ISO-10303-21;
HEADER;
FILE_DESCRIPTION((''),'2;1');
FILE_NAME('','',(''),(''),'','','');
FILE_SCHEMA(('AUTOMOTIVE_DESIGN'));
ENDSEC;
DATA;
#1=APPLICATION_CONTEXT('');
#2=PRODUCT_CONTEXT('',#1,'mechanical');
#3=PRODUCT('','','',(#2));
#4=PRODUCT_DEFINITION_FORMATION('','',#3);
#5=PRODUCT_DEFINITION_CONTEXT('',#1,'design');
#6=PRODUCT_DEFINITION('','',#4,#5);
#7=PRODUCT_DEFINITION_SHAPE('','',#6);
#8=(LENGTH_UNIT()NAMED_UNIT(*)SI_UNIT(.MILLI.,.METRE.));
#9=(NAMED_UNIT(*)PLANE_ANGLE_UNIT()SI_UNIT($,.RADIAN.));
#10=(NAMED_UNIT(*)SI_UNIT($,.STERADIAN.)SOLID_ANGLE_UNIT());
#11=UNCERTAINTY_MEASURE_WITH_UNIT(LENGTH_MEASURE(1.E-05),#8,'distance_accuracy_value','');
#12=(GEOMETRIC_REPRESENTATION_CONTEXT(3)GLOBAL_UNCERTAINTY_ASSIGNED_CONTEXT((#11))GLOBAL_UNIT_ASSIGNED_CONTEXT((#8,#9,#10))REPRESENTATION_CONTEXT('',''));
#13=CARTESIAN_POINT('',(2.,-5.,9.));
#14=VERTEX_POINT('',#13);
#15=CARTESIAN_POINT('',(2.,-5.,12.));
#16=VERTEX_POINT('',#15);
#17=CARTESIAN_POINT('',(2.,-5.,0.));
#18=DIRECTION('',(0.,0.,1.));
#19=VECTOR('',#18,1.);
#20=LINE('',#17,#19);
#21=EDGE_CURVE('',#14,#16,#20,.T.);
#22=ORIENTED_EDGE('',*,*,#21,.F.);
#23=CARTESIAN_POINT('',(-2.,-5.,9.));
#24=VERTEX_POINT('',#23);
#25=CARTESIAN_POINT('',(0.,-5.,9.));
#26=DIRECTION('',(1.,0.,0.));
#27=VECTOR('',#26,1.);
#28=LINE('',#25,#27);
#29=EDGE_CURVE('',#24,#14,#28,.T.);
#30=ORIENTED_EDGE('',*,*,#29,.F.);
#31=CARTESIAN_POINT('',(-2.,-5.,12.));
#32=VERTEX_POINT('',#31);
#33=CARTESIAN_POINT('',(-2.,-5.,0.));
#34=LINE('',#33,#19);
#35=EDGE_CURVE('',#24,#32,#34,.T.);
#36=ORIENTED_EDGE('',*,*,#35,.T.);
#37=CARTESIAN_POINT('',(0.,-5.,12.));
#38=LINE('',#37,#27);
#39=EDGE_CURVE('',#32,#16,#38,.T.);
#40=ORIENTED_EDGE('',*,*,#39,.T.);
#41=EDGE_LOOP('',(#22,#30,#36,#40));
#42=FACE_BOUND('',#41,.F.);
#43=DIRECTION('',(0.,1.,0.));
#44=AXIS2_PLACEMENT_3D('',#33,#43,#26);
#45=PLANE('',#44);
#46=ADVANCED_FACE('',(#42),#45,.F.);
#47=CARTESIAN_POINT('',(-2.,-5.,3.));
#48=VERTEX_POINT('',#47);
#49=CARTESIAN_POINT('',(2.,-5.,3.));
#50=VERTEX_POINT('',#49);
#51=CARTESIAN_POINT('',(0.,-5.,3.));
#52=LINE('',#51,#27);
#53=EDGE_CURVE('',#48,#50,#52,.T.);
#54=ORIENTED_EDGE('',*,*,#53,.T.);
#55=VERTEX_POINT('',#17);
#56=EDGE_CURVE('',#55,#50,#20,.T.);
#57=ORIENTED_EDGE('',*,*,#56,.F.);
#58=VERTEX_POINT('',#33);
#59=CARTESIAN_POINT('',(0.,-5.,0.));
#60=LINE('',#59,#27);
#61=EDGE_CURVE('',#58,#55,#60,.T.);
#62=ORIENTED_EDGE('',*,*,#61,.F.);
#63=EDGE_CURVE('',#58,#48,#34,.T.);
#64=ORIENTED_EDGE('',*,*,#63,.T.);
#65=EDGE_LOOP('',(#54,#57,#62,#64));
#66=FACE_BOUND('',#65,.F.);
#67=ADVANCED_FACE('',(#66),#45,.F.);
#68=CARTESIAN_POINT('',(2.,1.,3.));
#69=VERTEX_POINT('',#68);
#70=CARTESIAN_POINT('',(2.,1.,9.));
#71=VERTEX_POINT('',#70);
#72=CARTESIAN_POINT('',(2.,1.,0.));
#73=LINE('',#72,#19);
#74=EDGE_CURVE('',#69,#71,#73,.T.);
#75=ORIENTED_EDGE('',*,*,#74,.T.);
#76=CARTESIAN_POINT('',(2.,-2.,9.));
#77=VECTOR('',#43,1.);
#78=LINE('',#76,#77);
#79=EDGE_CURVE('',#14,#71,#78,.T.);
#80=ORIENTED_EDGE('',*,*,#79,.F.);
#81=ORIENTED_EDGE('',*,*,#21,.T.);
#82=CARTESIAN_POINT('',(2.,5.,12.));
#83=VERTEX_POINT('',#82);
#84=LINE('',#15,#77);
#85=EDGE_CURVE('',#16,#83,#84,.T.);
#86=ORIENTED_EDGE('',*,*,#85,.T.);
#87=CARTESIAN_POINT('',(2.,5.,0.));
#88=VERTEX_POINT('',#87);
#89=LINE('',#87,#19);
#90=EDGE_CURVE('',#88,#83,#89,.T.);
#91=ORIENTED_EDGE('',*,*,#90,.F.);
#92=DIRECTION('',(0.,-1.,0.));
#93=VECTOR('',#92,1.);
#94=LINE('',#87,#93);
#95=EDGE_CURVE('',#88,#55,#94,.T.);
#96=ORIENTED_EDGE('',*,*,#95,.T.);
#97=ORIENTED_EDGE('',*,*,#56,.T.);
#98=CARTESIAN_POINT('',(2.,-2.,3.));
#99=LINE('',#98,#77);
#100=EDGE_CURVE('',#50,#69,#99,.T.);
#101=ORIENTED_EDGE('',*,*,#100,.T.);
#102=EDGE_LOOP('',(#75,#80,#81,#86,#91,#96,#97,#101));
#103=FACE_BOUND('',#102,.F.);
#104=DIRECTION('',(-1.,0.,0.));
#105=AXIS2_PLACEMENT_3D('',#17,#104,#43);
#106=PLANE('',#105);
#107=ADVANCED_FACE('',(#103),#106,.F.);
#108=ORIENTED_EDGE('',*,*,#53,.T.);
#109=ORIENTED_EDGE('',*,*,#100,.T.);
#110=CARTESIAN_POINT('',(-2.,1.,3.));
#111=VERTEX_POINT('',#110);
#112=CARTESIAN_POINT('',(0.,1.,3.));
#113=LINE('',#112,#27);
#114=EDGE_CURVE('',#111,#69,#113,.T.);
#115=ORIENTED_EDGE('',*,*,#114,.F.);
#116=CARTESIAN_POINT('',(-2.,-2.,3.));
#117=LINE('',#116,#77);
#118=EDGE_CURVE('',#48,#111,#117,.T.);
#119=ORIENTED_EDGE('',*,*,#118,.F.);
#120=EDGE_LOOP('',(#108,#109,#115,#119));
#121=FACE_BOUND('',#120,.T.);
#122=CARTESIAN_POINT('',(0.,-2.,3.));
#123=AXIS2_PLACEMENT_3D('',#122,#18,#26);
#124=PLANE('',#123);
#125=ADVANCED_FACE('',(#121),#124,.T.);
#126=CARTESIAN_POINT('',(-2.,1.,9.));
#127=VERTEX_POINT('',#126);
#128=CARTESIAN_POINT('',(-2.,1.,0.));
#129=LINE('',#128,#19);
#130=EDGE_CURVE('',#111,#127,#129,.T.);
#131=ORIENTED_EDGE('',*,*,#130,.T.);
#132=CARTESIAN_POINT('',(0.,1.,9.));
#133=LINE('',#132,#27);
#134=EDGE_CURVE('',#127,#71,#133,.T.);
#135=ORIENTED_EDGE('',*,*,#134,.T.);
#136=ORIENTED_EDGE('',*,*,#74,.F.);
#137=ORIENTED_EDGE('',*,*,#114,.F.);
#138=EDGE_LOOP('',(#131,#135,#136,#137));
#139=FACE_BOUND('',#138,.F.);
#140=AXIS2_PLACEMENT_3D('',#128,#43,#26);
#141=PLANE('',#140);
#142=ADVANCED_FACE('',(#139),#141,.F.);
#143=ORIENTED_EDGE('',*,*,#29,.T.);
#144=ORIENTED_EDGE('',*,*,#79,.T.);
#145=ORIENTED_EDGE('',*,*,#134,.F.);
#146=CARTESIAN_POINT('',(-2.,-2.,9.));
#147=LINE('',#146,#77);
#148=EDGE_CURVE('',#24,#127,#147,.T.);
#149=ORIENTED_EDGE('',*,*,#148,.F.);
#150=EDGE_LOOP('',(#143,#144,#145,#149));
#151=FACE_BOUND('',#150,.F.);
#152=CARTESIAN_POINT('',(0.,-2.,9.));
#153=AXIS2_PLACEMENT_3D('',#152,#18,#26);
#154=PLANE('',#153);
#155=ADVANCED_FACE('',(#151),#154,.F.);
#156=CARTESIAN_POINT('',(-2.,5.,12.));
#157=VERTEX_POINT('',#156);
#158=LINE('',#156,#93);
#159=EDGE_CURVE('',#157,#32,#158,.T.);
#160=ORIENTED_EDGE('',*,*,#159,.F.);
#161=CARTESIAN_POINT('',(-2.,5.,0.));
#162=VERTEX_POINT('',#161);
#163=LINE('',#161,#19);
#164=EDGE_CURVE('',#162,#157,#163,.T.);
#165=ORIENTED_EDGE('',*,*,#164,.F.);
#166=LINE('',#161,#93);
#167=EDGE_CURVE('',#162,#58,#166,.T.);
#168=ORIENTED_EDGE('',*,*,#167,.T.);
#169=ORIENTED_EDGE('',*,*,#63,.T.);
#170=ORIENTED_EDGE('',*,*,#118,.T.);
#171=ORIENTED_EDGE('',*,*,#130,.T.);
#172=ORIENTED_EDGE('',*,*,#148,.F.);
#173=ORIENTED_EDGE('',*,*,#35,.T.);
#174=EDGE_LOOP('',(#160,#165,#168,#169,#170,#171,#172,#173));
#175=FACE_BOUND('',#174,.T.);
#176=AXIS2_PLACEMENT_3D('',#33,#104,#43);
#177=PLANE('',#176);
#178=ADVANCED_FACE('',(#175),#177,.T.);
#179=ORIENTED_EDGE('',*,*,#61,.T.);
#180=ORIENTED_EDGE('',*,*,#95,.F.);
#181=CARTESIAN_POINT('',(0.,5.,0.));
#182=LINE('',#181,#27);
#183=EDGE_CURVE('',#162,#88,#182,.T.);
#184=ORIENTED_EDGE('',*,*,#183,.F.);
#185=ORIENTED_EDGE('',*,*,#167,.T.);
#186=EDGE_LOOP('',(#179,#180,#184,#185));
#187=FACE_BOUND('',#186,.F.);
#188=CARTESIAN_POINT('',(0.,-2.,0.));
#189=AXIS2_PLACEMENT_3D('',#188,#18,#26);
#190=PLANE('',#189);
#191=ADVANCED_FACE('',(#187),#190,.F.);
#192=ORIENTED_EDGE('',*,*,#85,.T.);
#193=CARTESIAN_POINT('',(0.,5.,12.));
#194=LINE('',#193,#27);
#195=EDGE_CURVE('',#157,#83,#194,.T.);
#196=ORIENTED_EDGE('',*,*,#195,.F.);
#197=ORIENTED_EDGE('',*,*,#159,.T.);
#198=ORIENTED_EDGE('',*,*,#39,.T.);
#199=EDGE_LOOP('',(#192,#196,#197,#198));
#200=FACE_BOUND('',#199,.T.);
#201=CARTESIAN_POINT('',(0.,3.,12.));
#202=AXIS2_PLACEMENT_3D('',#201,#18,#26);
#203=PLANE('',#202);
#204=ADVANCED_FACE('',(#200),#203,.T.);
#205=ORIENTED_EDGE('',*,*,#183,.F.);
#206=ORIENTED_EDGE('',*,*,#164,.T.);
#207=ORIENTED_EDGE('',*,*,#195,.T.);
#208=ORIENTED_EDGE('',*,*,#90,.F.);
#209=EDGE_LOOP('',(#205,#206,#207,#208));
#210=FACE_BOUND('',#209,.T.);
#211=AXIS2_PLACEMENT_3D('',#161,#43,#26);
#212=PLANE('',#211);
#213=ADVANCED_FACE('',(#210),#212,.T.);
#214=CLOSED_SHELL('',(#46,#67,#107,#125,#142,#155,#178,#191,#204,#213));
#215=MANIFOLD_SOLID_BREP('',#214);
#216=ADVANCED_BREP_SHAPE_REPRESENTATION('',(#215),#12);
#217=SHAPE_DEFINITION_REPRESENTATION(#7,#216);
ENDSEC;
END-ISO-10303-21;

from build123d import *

# Parameters (mm, degrees)
F0_W     = 4
F0_H     = 4
F0_H_2   = 6
F1_DEPTH = 12
F2_DEPTH = 9
F3_DEPTH = 3


with BuildPart() as f1:
    # F0 (on Top) → F1 (new body)
    with BuildSketch(Plane.XY):
        with Locations((0, 3)):
            Rectangle(F0_W, F0_H)
        with Locations((0, -2)):
            Rectangle(F0_W, F0_H_2)
    extrude(amount=F1_DEPTH)

    # F0 (on Top) → F2 (cut)
    with BuildSketch(Plane.XY):
        with Locations((0, -2)):
            Rectangle(F0_W, F0_H_2)
    extrude(amount=F2_DEPTH, mode=Mode.SUBTRACT)

    # F0 (on Top) → F3 (join)
    with BuildSketch(Plane.XY):
        with Locations((0, -2)):
            Rectangle(F0_W, F0_H_2)
    extrude(amount=F3_DEPTH)


solid = f1.part
